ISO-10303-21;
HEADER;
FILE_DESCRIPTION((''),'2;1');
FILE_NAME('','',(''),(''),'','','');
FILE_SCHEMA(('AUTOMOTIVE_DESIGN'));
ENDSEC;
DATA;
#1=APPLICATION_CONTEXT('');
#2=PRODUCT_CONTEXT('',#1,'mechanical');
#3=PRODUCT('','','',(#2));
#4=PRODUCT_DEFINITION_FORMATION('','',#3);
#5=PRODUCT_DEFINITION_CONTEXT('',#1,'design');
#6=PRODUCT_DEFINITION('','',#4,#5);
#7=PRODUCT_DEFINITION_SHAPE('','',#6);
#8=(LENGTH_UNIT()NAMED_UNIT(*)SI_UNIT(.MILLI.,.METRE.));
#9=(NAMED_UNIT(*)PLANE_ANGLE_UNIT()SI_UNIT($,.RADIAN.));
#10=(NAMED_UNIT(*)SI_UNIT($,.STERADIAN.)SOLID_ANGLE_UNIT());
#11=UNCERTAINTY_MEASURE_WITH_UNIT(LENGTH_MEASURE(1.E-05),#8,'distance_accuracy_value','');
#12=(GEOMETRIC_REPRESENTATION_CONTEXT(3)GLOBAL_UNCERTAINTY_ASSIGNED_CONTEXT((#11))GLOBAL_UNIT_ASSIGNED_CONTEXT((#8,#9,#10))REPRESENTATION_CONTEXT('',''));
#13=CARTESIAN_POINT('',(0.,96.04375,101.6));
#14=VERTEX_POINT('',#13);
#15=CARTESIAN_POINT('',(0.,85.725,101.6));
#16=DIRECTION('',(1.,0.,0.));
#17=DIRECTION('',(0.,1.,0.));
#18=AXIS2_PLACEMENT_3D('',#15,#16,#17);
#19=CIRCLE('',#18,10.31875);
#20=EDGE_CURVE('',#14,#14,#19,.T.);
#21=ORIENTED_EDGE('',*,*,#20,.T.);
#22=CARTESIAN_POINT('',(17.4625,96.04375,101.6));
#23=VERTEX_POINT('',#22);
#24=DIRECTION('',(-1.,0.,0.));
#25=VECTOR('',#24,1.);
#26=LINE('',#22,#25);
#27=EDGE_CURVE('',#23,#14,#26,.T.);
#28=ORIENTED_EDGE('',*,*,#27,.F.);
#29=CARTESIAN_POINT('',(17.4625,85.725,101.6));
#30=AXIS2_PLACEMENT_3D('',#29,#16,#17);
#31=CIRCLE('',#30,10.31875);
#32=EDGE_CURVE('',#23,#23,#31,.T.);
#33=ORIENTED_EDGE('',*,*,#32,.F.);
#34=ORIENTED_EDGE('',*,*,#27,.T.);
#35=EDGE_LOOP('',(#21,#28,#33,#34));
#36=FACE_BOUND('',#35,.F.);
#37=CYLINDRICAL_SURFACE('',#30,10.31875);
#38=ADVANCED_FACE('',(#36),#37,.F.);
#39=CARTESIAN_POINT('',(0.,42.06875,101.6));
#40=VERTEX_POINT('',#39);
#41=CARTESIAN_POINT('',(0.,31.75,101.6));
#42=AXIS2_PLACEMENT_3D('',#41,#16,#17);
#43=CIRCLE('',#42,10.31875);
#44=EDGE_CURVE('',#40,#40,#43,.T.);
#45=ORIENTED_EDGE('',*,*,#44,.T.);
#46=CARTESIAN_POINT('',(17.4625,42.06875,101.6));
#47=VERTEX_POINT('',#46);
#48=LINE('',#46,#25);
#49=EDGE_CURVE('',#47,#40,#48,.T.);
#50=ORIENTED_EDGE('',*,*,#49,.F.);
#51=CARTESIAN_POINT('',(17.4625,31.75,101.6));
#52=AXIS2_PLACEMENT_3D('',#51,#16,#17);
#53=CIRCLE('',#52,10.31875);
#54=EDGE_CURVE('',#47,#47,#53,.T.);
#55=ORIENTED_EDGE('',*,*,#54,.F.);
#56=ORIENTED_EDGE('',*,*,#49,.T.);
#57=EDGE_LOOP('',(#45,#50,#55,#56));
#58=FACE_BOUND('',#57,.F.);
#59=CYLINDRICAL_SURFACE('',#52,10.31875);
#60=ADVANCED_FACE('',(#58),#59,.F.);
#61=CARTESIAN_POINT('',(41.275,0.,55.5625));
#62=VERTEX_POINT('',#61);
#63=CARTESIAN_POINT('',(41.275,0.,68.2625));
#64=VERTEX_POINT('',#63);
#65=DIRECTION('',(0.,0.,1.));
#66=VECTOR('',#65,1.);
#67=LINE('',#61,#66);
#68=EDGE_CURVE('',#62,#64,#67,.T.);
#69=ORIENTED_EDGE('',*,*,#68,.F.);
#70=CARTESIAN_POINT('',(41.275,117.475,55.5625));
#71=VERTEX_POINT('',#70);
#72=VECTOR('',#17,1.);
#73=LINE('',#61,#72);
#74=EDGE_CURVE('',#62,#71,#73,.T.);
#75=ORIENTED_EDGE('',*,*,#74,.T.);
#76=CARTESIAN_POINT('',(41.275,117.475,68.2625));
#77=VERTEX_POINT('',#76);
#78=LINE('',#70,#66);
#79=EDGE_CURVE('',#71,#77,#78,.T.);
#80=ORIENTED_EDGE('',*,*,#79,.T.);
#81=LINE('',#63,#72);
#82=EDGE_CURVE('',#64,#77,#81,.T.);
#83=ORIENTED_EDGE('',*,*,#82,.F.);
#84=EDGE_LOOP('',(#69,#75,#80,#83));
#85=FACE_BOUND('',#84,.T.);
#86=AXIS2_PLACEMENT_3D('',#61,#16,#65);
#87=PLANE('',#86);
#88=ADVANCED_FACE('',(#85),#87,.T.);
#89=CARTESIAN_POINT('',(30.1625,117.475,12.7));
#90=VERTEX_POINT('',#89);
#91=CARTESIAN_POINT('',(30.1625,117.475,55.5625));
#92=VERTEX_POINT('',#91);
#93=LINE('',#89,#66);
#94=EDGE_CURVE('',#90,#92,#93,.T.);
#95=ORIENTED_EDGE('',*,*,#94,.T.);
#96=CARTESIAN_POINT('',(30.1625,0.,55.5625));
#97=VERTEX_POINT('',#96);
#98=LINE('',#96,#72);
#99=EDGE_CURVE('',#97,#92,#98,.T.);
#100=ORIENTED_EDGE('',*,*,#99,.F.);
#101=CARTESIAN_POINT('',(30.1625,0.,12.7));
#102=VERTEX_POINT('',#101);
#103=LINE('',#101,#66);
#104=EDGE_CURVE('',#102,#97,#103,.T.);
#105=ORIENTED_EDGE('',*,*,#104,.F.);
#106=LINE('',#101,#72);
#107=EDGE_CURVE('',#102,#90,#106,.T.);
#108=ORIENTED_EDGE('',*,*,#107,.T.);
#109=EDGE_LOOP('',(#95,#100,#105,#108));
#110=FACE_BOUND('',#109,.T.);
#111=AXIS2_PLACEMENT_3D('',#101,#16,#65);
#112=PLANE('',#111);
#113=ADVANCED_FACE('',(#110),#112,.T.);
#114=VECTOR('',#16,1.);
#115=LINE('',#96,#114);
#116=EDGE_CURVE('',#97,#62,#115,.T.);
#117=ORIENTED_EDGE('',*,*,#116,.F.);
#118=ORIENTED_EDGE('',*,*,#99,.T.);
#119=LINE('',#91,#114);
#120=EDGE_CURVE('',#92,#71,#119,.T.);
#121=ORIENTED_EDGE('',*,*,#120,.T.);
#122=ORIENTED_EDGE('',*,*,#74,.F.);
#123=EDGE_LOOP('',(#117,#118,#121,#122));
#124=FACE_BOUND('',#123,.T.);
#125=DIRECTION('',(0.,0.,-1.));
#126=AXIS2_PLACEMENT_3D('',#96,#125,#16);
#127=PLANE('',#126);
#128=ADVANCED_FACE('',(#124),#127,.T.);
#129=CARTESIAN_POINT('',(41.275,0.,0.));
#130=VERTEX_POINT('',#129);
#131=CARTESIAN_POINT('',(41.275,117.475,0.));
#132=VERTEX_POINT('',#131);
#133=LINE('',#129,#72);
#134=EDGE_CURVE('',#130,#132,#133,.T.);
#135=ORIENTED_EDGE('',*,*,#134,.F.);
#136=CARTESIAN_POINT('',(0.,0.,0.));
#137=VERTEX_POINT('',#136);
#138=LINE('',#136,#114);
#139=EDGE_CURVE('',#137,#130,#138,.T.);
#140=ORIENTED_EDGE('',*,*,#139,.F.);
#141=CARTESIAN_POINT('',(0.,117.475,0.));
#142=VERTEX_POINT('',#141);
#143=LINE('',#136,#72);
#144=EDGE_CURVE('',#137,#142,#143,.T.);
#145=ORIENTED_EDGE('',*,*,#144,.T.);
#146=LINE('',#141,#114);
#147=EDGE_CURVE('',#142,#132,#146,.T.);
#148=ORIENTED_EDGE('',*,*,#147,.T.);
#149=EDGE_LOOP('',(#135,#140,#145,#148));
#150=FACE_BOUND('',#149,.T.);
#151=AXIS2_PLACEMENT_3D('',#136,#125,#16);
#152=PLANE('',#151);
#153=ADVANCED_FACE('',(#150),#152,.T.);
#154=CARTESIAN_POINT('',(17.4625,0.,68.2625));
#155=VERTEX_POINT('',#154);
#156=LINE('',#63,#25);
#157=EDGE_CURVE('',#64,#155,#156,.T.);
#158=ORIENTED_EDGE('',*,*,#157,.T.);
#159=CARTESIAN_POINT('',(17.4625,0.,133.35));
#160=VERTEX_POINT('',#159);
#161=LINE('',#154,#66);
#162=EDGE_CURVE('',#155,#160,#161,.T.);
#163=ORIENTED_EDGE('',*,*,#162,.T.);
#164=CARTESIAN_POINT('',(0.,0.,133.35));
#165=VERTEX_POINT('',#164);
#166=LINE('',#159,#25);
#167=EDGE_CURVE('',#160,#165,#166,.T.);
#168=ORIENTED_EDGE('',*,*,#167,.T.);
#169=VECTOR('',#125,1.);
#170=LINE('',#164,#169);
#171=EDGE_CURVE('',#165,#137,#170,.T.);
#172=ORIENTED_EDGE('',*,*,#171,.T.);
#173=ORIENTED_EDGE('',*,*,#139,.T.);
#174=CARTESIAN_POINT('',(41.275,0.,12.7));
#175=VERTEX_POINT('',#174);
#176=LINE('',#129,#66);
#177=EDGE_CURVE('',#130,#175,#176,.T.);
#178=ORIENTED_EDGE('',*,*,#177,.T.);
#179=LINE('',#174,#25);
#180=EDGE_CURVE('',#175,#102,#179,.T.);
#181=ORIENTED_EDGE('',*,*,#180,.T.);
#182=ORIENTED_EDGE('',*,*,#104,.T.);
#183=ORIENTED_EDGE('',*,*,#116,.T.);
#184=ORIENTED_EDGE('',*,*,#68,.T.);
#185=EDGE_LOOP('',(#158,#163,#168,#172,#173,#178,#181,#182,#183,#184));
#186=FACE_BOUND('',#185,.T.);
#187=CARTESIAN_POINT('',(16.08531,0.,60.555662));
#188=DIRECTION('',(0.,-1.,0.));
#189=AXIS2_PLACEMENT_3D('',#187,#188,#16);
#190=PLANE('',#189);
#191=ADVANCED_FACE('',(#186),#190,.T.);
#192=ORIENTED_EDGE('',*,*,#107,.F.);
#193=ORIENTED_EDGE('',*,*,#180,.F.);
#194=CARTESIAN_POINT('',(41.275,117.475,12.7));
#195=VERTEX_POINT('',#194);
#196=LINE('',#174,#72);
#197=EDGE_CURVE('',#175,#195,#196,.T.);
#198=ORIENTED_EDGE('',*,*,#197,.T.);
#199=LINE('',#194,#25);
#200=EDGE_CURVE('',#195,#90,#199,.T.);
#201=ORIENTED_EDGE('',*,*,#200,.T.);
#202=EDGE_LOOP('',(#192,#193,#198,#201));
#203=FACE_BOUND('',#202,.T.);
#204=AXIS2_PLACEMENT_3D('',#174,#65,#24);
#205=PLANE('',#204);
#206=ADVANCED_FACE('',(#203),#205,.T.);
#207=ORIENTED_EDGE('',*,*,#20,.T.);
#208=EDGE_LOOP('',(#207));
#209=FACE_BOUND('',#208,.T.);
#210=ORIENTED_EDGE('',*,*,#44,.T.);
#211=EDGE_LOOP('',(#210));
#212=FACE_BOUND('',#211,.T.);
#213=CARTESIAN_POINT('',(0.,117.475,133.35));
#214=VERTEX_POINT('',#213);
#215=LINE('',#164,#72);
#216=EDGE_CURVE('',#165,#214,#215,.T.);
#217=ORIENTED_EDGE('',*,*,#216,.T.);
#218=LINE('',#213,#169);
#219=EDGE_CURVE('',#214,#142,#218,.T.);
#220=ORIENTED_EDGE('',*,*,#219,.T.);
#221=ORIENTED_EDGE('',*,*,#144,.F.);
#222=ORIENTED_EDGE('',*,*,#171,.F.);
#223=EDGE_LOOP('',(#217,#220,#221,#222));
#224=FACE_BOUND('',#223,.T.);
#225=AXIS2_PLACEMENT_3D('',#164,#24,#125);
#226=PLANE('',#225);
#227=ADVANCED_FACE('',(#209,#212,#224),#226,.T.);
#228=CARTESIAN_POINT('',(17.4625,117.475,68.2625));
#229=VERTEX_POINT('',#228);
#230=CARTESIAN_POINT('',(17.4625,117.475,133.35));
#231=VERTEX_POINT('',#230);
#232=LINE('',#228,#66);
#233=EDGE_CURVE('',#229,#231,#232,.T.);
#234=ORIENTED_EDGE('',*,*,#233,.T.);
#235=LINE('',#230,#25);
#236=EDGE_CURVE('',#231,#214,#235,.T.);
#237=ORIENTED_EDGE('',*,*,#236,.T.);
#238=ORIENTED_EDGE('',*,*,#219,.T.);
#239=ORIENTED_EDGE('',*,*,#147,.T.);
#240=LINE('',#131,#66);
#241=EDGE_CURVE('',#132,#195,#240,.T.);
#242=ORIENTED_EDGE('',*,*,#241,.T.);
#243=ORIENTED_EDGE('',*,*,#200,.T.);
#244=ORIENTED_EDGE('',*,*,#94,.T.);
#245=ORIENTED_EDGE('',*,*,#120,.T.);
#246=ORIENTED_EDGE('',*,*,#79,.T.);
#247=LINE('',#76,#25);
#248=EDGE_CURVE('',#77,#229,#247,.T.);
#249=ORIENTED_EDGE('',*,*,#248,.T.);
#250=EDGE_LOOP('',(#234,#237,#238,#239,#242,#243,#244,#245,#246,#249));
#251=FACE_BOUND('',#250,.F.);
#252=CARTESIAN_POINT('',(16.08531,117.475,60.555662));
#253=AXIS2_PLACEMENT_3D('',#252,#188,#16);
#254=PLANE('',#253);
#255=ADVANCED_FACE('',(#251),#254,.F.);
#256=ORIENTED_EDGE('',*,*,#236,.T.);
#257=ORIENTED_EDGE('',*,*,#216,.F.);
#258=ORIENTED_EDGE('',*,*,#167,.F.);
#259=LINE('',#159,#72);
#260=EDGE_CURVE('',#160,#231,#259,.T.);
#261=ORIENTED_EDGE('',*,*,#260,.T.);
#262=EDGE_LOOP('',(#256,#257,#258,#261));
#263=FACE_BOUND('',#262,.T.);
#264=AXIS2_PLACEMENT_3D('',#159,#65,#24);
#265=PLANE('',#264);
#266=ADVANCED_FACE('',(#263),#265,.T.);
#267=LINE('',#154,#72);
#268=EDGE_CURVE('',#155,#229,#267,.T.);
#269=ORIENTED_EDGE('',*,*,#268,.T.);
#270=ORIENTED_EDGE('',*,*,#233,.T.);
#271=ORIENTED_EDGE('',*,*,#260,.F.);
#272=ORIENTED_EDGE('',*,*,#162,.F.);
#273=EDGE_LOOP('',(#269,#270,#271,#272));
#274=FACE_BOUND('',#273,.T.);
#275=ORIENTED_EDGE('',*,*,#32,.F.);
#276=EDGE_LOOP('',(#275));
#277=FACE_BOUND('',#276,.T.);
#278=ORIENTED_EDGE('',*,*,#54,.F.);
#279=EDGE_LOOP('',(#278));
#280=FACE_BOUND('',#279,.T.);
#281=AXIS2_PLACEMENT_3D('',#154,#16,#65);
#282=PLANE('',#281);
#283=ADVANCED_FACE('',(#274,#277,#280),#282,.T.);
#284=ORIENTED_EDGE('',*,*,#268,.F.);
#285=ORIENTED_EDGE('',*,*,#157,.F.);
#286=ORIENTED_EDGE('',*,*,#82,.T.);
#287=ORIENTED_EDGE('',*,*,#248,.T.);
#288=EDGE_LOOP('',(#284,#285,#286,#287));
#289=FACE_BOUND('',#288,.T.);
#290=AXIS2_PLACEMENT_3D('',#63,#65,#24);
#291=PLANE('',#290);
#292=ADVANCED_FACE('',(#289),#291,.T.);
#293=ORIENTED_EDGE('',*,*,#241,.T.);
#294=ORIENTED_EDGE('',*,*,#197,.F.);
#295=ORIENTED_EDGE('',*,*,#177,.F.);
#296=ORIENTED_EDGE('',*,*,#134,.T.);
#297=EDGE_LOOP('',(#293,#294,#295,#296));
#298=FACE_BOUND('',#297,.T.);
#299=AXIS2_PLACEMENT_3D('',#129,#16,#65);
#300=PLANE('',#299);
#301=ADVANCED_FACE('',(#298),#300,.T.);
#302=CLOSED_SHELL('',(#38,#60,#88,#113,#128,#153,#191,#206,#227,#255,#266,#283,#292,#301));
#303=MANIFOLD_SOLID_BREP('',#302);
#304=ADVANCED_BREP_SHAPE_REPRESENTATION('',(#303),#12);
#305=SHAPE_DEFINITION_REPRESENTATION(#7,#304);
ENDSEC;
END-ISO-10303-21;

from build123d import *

# Parameters (mm, degrees)
F1_DEPTH = 117.475
F2_R     = 10.31875
F3_DEPTH = 17.4625


with BuildPart() as f1:
    # F0 (on Front) → F1 (new body)
    with BuildSketch(Plane.XZ):
        Polygon((0, 133.35), (0, 0), (41.275, 0), (41.275, 12.7), (30.1625, 12.7), (30.1625, 55.5625), (41.275, 55.5625), (41.275, 68.2625), (17.4625, 68.2625), (17.4625, 133.35), align=None)
    extrude(amount=-F1_DEPTH)

    # F2 (on face) → F3 (cut)
    with BuildSketch(Plane.YZ.offset(17.4625)):
        with Locations((85.725, 101.6)):
            Circle(F2_R)
        with Locations((31.75, 101.6)):
            Circle(F2_R)
    extrude(amount=-F3_DEPTH, mode=Mode.SUBTRACT)


solid = f1.part
